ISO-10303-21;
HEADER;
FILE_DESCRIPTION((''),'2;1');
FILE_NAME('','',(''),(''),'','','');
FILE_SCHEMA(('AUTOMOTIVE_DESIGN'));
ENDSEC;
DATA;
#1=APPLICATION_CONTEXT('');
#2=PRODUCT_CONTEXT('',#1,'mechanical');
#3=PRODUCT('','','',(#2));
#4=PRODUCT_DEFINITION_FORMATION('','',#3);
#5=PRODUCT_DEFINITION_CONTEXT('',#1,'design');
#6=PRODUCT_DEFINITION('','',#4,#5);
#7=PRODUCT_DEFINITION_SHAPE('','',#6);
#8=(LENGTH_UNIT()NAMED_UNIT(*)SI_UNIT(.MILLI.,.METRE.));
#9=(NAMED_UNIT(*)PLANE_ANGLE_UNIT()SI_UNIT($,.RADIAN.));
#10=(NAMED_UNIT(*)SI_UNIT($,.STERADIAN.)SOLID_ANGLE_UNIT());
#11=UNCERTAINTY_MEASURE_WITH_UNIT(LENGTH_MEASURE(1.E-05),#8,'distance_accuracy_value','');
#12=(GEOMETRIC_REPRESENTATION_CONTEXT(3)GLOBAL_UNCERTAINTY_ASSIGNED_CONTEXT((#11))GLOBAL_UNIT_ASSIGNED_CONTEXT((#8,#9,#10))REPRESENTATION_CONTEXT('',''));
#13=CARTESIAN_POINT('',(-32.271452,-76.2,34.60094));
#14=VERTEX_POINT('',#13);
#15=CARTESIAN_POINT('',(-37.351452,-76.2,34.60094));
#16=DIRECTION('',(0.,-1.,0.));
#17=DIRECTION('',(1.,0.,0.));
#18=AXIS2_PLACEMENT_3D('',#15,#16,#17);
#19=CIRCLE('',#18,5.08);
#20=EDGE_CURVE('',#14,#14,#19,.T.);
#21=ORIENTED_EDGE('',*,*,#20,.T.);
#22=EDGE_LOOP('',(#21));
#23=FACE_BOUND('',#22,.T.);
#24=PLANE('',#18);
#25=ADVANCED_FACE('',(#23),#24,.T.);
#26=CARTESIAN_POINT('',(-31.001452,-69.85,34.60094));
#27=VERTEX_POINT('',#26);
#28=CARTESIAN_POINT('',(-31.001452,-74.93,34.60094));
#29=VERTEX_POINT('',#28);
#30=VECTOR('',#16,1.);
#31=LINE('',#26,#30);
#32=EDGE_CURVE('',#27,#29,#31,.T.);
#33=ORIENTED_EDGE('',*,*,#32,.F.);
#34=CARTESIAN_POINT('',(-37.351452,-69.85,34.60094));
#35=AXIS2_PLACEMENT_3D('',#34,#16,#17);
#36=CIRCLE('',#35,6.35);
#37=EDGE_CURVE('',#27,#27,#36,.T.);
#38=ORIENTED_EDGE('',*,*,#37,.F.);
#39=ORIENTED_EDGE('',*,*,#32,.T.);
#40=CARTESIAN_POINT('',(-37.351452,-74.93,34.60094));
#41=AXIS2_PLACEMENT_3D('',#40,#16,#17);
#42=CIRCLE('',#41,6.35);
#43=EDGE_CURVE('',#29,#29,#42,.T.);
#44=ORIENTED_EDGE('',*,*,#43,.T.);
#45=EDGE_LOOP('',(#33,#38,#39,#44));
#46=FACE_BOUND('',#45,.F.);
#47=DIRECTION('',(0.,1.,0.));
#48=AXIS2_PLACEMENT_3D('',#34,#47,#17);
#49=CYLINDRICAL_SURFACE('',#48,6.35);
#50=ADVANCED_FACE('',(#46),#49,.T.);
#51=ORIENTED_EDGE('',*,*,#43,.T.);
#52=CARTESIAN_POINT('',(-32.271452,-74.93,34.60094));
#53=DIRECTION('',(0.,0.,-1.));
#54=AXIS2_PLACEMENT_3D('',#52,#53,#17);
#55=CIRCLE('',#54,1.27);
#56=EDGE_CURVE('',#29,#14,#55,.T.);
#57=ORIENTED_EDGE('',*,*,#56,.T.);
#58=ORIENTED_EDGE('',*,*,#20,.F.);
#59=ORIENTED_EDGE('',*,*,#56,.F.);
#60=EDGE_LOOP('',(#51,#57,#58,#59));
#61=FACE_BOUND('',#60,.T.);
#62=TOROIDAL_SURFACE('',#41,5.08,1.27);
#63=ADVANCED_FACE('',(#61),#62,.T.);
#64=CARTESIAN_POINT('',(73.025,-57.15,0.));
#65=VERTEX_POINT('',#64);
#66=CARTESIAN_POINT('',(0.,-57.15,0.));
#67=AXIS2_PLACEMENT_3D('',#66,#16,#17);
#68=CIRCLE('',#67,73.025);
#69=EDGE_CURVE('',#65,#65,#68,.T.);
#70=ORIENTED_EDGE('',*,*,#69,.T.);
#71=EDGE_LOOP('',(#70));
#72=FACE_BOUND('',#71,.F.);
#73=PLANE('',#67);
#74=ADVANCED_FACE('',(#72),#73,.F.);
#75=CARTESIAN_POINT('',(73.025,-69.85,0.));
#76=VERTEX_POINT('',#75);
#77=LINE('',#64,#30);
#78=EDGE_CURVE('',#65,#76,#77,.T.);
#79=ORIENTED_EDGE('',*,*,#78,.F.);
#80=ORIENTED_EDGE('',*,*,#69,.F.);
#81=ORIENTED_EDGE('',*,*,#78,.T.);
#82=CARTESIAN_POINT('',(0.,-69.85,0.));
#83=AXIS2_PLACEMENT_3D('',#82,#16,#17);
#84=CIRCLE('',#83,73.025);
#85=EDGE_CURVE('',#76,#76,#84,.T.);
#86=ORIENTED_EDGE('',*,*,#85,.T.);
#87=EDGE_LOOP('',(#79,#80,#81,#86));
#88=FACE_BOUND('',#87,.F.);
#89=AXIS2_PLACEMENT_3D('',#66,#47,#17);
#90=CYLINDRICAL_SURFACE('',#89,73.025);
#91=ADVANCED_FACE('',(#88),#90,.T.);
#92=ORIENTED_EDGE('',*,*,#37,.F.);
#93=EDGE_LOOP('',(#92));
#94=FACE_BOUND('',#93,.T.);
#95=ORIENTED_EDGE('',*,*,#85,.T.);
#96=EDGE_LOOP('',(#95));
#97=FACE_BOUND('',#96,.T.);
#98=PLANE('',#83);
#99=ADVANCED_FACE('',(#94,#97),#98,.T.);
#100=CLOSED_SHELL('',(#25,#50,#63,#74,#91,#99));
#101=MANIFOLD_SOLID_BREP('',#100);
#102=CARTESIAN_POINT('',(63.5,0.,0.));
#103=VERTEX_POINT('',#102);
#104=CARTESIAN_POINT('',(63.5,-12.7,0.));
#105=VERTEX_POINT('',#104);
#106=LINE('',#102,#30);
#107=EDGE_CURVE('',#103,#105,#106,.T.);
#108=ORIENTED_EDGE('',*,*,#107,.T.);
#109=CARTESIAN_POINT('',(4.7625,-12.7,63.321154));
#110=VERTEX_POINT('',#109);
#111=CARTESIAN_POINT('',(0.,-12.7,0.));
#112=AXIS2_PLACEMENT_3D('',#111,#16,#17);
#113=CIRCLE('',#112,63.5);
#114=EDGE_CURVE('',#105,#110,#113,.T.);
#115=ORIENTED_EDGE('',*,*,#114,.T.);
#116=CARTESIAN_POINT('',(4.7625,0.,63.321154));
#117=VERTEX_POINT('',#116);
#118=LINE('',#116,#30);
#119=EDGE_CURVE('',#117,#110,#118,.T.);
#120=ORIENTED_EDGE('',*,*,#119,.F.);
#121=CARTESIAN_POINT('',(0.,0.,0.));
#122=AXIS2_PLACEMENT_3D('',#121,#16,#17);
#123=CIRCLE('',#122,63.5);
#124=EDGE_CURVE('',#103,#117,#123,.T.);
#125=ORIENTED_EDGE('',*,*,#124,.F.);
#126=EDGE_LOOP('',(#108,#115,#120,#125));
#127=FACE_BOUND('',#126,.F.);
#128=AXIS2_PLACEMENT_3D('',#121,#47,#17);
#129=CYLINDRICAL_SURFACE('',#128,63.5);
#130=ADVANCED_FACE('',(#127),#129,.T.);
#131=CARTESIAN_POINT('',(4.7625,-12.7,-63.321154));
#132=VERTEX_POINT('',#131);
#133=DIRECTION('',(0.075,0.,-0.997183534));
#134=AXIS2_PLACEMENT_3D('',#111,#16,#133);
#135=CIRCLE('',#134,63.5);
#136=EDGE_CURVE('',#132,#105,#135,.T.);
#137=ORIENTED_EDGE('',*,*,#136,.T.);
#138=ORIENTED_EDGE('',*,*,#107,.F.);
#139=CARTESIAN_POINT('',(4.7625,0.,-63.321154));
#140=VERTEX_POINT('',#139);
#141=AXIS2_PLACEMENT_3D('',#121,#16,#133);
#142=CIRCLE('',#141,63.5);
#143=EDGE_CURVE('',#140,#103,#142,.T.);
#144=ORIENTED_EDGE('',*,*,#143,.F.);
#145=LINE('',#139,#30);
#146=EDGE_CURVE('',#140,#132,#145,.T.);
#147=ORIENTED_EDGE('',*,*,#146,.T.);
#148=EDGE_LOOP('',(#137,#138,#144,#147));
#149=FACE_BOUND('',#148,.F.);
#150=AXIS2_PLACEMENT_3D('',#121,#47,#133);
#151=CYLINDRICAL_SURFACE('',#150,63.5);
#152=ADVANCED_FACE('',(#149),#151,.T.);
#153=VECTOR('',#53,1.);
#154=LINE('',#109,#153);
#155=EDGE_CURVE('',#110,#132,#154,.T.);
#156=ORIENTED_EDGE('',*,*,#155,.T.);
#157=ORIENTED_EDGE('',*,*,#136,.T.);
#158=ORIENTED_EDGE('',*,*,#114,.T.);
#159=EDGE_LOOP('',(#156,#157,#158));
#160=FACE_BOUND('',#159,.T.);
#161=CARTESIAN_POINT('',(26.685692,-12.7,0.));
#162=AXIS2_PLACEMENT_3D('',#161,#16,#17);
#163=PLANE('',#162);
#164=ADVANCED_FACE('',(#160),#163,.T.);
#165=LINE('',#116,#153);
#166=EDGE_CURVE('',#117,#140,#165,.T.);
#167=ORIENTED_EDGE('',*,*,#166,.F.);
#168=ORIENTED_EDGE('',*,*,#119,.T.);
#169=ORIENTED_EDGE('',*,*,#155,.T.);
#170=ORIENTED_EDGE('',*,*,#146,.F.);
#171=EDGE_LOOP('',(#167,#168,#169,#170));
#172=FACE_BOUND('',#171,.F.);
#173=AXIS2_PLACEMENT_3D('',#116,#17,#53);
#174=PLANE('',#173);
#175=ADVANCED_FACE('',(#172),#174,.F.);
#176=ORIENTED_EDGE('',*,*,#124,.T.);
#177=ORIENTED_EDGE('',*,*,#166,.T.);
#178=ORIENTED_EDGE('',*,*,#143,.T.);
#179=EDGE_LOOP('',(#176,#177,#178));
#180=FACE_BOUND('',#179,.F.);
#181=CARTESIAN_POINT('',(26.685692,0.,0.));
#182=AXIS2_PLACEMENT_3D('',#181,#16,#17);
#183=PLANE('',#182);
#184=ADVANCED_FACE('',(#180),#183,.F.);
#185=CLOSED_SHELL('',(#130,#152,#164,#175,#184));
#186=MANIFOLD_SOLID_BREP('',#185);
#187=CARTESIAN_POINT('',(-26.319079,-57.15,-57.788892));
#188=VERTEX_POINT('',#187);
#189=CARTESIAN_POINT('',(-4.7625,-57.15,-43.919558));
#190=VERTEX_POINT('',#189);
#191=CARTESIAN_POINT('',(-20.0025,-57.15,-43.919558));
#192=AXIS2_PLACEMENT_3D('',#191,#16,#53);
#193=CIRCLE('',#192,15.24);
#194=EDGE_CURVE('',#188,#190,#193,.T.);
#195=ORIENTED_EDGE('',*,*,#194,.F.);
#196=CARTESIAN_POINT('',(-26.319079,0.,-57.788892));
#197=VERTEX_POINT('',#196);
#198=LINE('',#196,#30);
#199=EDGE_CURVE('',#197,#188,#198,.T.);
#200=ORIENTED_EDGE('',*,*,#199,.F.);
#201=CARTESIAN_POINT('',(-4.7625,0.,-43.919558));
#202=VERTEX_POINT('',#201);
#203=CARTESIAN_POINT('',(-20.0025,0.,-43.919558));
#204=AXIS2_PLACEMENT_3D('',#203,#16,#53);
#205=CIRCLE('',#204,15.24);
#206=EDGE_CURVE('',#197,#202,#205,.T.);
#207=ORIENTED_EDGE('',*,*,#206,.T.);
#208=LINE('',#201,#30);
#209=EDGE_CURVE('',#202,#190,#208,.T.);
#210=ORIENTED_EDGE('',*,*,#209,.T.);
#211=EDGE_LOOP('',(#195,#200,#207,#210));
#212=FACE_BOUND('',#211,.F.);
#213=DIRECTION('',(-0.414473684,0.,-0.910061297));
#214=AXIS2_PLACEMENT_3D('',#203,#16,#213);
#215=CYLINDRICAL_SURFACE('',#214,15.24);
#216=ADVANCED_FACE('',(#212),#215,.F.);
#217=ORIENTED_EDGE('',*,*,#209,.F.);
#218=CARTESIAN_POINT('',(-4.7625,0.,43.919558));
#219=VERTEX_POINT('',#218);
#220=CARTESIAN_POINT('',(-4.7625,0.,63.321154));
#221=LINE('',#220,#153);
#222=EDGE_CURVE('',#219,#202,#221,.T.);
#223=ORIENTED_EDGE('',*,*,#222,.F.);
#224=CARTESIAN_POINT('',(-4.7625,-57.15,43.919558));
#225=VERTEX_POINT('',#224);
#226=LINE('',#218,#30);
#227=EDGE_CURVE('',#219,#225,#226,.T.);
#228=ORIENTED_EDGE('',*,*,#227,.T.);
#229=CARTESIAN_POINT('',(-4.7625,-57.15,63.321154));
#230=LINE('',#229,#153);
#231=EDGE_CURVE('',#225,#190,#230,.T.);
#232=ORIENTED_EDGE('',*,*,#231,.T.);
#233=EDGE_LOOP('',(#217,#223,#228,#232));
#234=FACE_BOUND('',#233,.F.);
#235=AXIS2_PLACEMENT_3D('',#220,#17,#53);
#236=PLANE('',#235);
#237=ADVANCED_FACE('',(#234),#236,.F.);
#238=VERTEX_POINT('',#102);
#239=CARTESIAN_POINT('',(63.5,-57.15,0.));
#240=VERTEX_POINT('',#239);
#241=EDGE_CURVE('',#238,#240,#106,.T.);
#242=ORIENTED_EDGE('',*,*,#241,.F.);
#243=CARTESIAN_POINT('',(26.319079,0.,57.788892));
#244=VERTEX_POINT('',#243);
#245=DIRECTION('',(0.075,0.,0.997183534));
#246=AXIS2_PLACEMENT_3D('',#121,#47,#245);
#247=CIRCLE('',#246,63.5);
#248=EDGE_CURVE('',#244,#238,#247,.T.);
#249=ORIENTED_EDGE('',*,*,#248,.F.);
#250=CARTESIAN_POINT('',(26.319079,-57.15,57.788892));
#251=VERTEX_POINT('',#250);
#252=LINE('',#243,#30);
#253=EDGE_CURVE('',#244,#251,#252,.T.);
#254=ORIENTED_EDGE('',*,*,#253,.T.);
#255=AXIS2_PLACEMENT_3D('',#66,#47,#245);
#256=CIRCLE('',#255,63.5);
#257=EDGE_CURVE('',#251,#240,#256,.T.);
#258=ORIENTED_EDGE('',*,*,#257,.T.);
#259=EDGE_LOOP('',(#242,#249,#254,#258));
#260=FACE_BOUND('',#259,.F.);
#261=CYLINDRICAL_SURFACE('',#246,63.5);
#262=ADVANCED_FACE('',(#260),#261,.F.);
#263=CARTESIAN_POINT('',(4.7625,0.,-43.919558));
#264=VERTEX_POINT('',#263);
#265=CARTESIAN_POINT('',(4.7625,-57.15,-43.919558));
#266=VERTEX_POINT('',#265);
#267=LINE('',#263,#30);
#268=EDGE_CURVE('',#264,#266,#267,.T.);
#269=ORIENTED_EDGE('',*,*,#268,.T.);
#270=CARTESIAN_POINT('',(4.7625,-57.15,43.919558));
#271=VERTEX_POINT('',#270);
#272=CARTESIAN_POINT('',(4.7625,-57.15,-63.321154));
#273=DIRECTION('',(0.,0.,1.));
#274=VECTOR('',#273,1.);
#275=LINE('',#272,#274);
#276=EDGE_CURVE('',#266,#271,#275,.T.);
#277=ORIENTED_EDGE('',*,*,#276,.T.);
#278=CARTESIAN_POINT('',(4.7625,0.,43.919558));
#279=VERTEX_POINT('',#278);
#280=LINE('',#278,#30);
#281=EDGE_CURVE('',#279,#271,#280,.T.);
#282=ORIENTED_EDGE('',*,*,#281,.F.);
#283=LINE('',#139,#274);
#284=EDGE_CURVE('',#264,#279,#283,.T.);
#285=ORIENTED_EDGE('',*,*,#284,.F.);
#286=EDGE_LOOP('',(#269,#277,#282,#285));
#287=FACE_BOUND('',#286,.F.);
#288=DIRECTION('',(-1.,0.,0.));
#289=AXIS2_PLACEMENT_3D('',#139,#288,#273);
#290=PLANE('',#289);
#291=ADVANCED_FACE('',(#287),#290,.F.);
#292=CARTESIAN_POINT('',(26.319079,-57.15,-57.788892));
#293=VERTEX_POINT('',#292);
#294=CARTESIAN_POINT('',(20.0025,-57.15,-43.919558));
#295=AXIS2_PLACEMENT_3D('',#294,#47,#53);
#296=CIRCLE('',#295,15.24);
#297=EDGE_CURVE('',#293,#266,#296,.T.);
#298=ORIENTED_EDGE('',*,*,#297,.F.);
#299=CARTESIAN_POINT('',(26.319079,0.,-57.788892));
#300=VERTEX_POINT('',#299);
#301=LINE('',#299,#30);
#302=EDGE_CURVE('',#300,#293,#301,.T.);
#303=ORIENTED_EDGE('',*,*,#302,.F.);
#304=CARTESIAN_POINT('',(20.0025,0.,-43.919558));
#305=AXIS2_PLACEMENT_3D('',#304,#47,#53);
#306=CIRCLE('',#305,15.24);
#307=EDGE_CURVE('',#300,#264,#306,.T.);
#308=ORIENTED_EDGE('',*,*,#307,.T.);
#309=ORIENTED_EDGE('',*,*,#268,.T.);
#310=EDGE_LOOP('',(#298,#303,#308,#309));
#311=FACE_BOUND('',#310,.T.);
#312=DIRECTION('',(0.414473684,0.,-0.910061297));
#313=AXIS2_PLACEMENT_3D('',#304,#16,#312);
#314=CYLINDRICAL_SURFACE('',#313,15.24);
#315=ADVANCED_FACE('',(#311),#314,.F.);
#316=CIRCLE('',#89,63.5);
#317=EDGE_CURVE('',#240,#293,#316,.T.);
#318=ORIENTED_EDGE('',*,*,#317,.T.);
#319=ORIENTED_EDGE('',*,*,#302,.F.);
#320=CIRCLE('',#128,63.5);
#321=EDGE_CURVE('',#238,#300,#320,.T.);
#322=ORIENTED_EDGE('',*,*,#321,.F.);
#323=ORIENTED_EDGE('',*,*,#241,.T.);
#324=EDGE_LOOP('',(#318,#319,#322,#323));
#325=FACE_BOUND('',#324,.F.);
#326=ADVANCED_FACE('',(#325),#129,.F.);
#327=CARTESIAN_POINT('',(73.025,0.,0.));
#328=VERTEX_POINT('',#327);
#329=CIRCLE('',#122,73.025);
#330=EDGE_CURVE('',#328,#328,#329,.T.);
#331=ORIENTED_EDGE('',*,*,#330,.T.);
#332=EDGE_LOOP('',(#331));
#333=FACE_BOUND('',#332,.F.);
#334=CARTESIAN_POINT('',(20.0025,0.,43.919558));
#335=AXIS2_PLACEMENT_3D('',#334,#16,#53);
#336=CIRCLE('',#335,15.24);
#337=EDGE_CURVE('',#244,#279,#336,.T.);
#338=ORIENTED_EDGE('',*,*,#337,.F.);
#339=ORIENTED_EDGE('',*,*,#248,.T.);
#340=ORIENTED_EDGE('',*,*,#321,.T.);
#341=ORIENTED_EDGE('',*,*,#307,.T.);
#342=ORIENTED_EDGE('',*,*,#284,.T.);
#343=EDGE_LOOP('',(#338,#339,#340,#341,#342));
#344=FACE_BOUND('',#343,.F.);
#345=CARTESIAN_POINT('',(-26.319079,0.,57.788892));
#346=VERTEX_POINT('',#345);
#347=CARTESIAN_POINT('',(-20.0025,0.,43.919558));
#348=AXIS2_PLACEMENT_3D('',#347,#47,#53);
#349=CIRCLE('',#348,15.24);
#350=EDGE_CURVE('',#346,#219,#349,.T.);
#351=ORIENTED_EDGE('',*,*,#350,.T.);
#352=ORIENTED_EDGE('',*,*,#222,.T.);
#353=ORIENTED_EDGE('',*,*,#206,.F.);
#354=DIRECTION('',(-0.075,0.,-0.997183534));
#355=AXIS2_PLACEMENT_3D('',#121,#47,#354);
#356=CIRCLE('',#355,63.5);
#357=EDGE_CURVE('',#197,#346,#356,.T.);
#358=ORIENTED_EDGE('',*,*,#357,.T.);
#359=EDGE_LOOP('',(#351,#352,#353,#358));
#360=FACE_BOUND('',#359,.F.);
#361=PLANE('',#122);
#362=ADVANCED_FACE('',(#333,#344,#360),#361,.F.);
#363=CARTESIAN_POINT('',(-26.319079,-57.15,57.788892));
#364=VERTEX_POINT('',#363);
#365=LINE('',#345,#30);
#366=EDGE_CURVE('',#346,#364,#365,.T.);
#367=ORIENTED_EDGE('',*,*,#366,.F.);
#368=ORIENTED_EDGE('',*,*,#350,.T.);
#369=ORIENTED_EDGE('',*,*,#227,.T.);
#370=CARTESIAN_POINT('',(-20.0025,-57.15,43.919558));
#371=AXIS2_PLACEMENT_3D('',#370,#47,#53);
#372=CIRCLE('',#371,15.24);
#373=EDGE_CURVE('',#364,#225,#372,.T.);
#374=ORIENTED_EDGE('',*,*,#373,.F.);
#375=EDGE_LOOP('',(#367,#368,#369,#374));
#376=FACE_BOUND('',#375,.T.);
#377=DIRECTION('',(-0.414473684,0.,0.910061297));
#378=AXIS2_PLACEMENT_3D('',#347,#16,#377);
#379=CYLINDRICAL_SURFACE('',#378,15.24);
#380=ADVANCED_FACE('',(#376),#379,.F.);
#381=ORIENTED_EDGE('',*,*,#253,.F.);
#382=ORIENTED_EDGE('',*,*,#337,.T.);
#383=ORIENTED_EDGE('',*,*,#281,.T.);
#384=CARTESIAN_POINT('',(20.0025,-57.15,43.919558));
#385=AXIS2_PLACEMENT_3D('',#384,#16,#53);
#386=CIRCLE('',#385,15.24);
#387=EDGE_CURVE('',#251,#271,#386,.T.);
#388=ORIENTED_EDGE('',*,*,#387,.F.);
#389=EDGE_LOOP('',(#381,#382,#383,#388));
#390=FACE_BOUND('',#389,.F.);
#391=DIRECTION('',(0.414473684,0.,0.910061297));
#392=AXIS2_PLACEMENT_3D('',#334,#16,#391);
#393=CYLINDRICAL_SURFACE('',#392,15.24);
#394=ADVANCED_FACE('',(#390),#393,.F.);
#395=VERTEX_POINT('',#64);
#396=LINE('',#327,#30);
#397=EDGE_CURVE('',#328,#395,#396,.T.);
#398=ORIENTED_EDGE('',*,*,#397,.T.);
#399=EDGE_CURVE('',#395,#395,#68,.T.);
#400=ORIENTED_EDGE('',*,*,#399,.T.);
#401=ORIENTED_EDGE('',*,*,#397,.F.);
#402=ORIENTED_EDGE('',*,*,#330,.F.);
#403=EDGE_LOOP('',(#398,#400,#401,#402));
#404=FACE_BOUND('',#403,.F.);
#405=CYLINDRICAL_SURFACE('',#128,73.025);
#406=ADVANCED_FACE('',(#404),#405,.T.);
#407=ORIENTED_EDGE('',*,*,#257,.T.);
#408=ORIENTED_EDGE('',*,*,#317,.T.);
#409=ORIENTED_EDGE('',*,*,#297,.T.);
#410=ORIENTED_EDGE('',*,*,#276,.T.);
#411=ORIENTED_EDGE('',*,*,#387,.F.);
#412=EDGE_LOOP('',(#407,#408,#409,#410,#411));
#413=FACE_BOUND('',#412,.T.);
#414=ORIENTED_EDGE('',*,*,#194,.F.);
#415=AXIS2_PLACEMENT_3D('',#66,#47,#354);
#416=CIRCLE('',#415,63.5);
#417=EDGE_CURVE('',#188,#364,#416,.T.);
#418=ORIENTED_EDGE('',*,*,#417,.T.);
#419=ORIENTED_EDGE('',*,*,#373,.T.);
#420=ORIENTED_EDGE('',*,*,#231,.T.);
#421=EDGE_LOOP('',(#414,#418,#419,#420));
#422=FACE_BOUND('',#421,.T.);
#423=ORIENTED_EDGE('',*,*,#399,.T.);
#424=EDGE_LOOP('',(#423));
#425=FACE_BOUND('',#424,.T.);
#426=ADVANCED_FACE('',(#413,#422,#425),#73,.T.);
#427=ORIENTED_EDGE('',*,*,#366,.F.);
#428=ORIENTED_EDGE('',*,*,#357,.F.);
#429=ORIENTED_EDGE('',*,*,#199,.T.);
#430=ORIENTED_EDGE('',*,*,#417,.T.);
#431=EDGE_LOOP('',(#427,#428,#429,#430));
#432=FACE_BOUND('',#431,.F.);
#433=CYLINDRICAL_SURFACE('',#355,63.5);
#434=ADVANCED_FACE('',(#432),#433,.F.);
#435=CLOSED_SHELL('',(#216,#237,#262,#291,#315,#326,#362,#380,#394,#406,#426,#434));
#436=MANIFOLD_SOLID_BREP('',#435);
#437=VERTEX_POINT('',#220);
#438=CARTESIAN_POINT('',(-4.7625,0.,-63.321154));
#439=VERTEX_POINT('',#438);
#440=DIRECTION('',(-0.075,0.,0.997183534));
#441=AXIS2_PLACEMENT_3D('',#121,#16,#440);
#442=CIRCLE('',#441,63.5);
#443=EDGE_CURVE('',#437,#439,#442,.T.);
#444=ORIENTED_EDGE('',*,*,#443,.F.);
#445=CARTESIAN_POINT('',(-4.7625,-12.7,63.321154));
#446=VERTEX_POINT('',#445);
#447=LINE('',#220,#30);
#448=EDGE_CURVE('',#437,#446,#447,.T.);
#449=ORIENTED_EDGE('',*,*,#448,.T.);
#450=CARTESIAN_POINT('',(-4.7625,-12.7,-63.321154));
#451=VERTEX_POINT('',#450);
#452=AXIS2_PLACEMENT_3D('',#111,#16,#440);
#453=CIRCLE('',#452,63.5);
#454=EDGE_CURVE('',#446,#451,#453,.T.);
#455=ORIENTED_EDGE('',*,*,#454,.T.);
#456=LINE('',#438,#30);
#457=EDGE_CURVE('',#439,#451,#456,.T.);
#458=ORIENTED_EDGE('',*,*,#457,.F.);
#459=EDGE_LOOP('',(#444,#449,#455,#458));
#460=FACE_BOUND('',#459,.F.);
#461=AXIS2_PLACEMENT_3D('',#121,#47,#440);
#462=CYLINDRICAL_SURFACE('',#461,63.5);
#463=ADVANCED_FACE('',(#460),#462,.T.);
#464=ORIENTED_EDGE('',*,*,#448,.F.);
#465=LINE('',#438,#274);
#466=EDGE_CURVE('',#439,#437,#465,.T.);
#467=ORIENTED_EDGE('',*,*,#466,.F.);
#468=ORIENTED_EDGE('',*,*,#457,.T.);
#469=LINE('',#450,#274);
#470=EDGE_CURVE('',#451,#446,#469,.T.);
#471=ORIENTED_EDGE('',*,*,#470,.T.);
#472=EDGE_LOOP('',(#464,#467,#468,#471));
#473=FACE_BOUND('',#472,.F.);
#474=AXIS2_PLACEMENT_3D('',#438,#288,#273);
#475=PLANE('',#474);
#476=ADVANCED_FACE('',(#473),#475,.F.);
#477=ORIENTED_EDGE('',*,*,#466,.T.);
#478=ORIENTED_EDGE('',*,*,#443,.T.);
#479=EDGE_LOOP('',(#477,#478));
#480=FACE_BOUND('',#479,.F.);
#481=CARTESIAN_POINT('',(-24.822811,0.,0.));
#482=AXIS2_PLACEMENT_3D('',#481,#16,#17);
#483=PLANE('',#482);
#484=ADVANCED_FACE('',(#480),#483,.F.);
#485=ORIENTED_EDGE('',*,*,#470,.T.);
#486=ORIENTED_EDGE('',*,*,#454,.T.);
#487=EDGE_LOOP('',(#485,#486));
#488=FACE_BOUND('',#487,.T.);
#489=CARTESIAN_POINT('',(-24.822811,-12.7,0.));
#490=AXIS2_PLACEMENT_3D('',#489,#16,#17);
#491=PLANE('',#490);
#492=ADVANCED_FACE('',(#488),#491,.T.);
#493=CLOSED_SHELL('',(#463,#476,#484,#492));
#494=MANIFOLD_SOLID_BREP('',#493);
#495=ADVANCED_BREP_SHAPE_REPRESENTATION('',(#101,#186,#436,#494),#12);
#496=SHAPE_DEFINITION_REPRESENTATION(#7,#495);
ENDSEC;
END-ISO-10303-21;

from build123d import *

# Parameters (mm, degrees)
F0_R     = 73.025
F1_DEPTH = 57.15
F2_DEPTH = 12.7
F3_R     = 15.24
F5_R     = 73.025
F6_DEPTH = 12.7
F7_R     = 6.35
F8_DEPTH = 6.35
F9_R     = 1.27


with BuildPart() as f1:
    # F0 (on Front) → F1 (new body)
    with BuildSketch(Plane.XZ):
        Circle(F0_R)
        with BuildLine():
            ThreePointArc((4.7625, 63.3211543937), (46.5546385981, 43.1846688652), (63.5, 0))
            ThreePointArc((63.5, 0), (46.5546385981, -43.1846688652), (4.7625, -63.3211543937))
            ThreePointArc((4.7625, -63.3211543937), (0, -63.5), (-4.7625, -63.3211543937))
            ThreePointArc((-4.7625, -63.3211543937), (-63.5, 0), (-4.7625, 63.3211543937))
            ThreePointArc((-4.7625, 63.3211543937), (0, 63.5), (4.7625, 63.3211543937))
        make_face(mode=Mode.SUBTRACT)
        with BuildLine():
            Line((4.7625, 0), (4.7625, 63.3211543937))
            ThreePointArc((4.7625, 63.3211543937), (0, 63.5), (-4.7625, 63.3211543937))
            Line((-4.7625, 63.3211543937), (-4.7625, 0))
            Line((-4.7625, 0), (0, 0))
            Line((0, 0), (4.7625, 0))
        make_face()
        with BuildLine():
            ThreePointArc((-4.7625, -63.3211543937), (0, -63.5), (4.7625, -63.3211543937))
            Line((4.7625, -63.3211543937), (4.7625, 0))
            Line((4.7625, 0), (0, 0))
            Line((0, 0), (-4.7625, 0))
            Line((-4.7625, 0), (-4.7625, -63.3211543937))
        make_face()
    extrude(amount=F1_DEPTH)

    # F3
    f3_edges = [f1.edges().sort_by_distance(p)[0] for p in [
        (-4.7625, -28.575, 63.321154),
        (4.7625, -28.575, 63.321154),
        (4.7625, -28.575, -63.321154),
        (-4.7625, -28.575, -63.321154),
    ]]
    fillet(f3_edges, radius=F3_R)


with BuildPart() as f2:
    # F0 (on Front) → F2 (new body)
    with BuildSketch(Plane.XZ):
        with BuildLine():
            Line((-4.7625, 0), (-4.7625, 63.3211543937))
            ThreePointArc((-4.7625, 63.3211543937), (-63.5, 0), (-4.7625, -63.3211543937))
            Line((-4.7625, -63.3211543937), (-4.7625, 0))
        make_face()
    extrude(amount=F2_DEPTH)


with BuildPart() as f2b:
    # F0 (on Front) → F2, piece 2 (new body)
    with BuildSketch(Plane.XZ):
        with BuildLine():
            ThreePointArc((4.7625, -63.3211543937), (46.5546385981, -43.1846688652), (63.5, 0))
            ThreePointArc((63.5, 0), (46.5546385981, 43.1846688652), (4.7625, 63.3211543937))
            Line((4.7625, 63.3211543937), (4.7625, 0))
            Line((4.7625, 0), (4.7625, -63.3211543937))
        make_face()
    extrude(amount=F2_DEPTH)


with BuildPart() as f6:
    # F5 (on offset) → F6 (new body)
    with BuildSketch(Plane.XZ.offset(57.15)):
        Circle(F5_R)
    extrude(amount=F6_DEPTH)

    # F7 (on face) → F8 (join)
    with BuildSketch(Plane.XZ.offset(69.85)):
        with Locations((-37.3514518142, 34.6009396017)):
            Circle(F7_R)
    extrude(amount=F8_DEPTH)

    # F9
    f9_edges = [f6.edges().sort_by_distance(p)[0] for p in [
        (-43.701452, -76.2, 34.60094),
    ]]
    fillet(f9_edges, radius=F9_R)


solid = Compound([f1.part, f2.part, f2b.part, f6.part])
